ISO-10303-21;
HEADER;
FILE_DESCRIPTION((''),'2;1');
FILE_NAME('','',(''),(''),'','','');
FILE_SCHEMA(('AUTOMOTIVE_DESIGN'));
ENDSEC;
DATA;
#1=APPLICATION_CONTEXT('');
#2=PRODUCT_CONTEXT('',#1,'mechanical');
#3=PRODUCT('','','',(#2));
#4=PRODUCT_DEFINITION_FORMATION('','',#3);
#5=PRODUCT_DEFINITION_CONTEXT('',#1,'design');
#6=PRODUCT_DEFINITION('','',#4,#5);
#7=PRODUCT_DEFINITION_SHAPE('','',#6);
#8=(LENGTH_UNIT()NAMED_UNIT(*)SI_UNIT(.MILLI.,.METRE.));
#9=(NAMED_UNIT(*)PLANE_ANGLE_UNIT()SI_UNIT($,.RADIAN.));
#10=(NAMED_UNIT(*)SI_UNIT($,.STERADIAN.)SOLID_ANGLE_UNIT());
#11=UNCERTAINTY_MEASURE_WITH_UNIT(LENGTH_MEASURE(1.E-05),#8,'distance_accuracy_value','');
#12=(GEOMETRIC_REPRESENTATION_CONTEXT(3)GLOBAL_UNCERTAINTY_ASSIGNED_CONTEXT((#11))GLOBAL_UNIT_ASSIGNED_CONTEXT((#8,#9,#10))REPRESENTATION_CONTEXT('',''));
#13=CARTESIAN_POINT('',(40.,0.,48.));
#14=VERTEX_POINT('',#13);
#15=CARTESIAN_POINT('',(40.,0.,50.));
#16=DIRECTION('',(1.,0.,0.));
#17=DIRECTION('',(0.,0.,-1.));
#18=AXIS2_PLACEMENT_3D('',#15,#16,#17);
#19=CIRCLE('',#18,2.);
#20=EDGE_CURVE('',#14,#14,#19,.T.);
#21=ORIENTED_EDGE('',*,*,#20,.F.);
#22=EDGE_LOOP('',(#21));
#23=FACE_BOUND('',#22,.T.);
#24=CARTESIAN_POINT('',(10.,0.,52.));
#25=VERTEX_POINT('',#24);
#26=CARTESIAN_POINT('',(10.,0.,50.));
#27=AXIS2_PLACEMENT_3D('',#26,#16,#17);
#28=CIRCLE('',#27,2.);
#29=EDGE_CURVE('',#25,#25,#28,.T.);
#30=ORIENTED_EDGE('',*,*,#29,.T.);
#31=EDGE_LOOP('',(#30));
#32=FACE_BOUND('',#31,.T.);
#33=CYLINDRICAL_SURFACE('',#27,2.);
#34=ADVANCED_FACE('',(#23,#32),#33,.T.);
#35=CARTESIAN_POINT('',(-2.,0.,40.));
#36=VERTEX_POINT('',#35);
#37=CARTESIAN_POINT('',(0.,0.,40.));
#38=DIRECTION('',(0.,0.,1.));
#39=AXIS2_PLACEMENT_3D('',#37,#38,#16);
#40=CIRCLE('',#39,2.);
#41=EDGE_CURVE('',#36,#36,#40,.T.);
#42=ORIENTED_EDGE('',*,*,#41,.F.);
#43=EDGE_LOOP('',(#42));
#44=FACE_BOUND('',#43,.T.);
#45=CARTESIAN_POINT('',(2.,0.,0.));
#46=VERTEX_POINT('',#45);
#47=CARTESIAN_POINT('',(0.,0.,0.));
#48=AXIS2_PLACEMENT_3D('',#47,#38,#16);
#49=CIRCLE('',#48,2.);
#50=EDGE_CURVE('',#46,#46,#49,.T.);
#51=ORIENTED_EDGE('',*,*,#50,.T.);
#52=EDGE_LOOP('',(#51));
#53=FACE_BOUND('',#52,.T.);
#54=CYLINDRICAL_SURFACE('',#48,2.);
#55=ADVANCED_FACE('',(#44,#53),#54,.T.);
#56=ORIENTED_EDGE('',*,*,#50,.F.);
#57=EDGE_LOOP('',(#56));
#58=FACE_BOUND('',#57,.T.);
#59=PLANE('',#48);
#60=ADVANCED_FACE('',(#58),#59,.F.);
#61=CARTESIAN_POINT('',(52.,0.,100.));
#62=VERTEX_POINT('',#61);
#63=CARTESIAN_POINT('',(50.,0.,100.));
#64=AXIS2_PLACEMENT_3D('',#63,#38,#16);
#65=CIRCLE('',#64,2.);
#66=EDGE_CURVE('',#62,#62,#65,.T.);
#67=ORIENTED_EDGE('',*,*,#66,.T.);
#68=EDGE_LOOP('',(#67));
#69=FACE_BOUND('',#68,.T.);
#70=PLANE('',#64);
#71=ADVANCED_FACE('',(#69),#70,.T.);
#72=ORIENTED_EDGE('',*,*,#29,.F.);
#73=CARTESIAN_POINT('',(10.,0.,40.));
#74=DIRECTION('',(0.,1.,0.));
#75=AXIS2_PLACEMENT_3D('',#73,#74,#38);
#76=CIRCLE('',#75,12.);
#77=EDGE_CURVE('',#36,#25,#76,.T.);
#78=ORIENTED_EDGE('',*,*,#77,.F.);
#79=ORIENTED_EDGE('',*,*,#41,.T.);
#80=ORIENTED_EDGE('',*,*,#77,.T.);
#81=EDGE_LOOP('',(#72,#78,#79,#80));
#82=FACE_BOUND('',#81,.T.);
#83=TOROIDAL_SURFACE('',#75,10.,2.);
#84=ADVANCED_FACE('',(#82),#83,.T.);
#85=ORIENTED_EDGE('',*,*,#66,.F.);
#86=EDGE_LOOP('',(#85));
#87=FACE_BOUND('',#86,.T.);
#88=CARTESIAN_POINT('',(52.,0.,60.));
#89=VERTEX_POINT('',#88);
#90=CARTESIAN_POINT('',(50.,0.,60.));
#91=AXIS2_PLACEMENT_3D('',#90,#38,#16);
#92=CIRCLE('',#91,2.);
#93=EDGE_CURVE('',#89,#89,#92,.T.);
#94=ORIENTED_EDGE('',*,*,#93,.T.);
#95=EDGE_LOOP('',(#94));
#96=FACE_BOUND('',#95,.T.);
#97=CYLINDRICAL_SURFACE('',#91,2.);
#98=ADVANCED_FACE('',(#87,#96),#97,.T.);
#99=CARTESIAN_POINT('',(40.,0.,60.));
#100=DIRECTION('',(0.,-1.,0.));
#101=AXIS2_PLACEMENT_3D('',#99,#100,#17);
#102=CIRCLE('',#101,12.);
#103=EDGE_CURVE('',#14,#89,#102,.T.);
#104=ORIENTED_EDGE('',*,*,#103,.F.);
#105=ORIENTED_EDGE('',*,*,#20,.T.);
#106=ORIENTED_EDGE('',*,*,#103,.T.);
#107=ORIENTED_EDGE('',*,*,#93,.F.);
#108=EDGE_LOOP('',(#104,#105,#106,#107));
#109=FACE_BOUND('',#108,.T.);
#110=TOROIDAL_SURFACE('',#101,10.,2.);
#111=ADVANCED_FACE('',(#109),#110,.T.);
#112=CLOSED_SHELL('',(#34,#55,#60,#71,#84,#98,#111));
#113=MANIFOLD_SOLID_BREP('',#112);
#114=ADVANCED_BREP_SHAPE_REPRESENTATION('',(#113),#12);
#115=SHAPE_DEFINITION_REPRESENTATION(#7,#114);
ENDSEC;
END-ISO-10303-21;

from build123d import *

# Parameters (mm, degrees)
SKETCH_1_R = 2


with BuildPart() as part:
    # ｽｲｰﾌﾟ1: sweep along a path in ｽｹｯﾁ2
    with BuildLine(Plane(origin=(0, 0, 0), x_dir=(1, 0, 0), z_dir=(0, 1, 0))) as sweep_1_path:
        Line((0, 0), (0, -40))
        ThreePointArc((0, -40), (2.928932188, -47.071067812), (10, -50))
        Line((10, -50), (40, -50))
        ThreePointArc((40, -50), (47.071067812, -52.928932188), (50, -60))
        Line((50, -60), (50, -100))
    # ｽｹｯﾁ1 → ｽｲｰﾌﾟ1 (sweep)
    with BuildSketch(Plane.XY):
        Circle(SKETCH_1_R)
    sweep(path=sweep_1_path.line)


solid = part.part
